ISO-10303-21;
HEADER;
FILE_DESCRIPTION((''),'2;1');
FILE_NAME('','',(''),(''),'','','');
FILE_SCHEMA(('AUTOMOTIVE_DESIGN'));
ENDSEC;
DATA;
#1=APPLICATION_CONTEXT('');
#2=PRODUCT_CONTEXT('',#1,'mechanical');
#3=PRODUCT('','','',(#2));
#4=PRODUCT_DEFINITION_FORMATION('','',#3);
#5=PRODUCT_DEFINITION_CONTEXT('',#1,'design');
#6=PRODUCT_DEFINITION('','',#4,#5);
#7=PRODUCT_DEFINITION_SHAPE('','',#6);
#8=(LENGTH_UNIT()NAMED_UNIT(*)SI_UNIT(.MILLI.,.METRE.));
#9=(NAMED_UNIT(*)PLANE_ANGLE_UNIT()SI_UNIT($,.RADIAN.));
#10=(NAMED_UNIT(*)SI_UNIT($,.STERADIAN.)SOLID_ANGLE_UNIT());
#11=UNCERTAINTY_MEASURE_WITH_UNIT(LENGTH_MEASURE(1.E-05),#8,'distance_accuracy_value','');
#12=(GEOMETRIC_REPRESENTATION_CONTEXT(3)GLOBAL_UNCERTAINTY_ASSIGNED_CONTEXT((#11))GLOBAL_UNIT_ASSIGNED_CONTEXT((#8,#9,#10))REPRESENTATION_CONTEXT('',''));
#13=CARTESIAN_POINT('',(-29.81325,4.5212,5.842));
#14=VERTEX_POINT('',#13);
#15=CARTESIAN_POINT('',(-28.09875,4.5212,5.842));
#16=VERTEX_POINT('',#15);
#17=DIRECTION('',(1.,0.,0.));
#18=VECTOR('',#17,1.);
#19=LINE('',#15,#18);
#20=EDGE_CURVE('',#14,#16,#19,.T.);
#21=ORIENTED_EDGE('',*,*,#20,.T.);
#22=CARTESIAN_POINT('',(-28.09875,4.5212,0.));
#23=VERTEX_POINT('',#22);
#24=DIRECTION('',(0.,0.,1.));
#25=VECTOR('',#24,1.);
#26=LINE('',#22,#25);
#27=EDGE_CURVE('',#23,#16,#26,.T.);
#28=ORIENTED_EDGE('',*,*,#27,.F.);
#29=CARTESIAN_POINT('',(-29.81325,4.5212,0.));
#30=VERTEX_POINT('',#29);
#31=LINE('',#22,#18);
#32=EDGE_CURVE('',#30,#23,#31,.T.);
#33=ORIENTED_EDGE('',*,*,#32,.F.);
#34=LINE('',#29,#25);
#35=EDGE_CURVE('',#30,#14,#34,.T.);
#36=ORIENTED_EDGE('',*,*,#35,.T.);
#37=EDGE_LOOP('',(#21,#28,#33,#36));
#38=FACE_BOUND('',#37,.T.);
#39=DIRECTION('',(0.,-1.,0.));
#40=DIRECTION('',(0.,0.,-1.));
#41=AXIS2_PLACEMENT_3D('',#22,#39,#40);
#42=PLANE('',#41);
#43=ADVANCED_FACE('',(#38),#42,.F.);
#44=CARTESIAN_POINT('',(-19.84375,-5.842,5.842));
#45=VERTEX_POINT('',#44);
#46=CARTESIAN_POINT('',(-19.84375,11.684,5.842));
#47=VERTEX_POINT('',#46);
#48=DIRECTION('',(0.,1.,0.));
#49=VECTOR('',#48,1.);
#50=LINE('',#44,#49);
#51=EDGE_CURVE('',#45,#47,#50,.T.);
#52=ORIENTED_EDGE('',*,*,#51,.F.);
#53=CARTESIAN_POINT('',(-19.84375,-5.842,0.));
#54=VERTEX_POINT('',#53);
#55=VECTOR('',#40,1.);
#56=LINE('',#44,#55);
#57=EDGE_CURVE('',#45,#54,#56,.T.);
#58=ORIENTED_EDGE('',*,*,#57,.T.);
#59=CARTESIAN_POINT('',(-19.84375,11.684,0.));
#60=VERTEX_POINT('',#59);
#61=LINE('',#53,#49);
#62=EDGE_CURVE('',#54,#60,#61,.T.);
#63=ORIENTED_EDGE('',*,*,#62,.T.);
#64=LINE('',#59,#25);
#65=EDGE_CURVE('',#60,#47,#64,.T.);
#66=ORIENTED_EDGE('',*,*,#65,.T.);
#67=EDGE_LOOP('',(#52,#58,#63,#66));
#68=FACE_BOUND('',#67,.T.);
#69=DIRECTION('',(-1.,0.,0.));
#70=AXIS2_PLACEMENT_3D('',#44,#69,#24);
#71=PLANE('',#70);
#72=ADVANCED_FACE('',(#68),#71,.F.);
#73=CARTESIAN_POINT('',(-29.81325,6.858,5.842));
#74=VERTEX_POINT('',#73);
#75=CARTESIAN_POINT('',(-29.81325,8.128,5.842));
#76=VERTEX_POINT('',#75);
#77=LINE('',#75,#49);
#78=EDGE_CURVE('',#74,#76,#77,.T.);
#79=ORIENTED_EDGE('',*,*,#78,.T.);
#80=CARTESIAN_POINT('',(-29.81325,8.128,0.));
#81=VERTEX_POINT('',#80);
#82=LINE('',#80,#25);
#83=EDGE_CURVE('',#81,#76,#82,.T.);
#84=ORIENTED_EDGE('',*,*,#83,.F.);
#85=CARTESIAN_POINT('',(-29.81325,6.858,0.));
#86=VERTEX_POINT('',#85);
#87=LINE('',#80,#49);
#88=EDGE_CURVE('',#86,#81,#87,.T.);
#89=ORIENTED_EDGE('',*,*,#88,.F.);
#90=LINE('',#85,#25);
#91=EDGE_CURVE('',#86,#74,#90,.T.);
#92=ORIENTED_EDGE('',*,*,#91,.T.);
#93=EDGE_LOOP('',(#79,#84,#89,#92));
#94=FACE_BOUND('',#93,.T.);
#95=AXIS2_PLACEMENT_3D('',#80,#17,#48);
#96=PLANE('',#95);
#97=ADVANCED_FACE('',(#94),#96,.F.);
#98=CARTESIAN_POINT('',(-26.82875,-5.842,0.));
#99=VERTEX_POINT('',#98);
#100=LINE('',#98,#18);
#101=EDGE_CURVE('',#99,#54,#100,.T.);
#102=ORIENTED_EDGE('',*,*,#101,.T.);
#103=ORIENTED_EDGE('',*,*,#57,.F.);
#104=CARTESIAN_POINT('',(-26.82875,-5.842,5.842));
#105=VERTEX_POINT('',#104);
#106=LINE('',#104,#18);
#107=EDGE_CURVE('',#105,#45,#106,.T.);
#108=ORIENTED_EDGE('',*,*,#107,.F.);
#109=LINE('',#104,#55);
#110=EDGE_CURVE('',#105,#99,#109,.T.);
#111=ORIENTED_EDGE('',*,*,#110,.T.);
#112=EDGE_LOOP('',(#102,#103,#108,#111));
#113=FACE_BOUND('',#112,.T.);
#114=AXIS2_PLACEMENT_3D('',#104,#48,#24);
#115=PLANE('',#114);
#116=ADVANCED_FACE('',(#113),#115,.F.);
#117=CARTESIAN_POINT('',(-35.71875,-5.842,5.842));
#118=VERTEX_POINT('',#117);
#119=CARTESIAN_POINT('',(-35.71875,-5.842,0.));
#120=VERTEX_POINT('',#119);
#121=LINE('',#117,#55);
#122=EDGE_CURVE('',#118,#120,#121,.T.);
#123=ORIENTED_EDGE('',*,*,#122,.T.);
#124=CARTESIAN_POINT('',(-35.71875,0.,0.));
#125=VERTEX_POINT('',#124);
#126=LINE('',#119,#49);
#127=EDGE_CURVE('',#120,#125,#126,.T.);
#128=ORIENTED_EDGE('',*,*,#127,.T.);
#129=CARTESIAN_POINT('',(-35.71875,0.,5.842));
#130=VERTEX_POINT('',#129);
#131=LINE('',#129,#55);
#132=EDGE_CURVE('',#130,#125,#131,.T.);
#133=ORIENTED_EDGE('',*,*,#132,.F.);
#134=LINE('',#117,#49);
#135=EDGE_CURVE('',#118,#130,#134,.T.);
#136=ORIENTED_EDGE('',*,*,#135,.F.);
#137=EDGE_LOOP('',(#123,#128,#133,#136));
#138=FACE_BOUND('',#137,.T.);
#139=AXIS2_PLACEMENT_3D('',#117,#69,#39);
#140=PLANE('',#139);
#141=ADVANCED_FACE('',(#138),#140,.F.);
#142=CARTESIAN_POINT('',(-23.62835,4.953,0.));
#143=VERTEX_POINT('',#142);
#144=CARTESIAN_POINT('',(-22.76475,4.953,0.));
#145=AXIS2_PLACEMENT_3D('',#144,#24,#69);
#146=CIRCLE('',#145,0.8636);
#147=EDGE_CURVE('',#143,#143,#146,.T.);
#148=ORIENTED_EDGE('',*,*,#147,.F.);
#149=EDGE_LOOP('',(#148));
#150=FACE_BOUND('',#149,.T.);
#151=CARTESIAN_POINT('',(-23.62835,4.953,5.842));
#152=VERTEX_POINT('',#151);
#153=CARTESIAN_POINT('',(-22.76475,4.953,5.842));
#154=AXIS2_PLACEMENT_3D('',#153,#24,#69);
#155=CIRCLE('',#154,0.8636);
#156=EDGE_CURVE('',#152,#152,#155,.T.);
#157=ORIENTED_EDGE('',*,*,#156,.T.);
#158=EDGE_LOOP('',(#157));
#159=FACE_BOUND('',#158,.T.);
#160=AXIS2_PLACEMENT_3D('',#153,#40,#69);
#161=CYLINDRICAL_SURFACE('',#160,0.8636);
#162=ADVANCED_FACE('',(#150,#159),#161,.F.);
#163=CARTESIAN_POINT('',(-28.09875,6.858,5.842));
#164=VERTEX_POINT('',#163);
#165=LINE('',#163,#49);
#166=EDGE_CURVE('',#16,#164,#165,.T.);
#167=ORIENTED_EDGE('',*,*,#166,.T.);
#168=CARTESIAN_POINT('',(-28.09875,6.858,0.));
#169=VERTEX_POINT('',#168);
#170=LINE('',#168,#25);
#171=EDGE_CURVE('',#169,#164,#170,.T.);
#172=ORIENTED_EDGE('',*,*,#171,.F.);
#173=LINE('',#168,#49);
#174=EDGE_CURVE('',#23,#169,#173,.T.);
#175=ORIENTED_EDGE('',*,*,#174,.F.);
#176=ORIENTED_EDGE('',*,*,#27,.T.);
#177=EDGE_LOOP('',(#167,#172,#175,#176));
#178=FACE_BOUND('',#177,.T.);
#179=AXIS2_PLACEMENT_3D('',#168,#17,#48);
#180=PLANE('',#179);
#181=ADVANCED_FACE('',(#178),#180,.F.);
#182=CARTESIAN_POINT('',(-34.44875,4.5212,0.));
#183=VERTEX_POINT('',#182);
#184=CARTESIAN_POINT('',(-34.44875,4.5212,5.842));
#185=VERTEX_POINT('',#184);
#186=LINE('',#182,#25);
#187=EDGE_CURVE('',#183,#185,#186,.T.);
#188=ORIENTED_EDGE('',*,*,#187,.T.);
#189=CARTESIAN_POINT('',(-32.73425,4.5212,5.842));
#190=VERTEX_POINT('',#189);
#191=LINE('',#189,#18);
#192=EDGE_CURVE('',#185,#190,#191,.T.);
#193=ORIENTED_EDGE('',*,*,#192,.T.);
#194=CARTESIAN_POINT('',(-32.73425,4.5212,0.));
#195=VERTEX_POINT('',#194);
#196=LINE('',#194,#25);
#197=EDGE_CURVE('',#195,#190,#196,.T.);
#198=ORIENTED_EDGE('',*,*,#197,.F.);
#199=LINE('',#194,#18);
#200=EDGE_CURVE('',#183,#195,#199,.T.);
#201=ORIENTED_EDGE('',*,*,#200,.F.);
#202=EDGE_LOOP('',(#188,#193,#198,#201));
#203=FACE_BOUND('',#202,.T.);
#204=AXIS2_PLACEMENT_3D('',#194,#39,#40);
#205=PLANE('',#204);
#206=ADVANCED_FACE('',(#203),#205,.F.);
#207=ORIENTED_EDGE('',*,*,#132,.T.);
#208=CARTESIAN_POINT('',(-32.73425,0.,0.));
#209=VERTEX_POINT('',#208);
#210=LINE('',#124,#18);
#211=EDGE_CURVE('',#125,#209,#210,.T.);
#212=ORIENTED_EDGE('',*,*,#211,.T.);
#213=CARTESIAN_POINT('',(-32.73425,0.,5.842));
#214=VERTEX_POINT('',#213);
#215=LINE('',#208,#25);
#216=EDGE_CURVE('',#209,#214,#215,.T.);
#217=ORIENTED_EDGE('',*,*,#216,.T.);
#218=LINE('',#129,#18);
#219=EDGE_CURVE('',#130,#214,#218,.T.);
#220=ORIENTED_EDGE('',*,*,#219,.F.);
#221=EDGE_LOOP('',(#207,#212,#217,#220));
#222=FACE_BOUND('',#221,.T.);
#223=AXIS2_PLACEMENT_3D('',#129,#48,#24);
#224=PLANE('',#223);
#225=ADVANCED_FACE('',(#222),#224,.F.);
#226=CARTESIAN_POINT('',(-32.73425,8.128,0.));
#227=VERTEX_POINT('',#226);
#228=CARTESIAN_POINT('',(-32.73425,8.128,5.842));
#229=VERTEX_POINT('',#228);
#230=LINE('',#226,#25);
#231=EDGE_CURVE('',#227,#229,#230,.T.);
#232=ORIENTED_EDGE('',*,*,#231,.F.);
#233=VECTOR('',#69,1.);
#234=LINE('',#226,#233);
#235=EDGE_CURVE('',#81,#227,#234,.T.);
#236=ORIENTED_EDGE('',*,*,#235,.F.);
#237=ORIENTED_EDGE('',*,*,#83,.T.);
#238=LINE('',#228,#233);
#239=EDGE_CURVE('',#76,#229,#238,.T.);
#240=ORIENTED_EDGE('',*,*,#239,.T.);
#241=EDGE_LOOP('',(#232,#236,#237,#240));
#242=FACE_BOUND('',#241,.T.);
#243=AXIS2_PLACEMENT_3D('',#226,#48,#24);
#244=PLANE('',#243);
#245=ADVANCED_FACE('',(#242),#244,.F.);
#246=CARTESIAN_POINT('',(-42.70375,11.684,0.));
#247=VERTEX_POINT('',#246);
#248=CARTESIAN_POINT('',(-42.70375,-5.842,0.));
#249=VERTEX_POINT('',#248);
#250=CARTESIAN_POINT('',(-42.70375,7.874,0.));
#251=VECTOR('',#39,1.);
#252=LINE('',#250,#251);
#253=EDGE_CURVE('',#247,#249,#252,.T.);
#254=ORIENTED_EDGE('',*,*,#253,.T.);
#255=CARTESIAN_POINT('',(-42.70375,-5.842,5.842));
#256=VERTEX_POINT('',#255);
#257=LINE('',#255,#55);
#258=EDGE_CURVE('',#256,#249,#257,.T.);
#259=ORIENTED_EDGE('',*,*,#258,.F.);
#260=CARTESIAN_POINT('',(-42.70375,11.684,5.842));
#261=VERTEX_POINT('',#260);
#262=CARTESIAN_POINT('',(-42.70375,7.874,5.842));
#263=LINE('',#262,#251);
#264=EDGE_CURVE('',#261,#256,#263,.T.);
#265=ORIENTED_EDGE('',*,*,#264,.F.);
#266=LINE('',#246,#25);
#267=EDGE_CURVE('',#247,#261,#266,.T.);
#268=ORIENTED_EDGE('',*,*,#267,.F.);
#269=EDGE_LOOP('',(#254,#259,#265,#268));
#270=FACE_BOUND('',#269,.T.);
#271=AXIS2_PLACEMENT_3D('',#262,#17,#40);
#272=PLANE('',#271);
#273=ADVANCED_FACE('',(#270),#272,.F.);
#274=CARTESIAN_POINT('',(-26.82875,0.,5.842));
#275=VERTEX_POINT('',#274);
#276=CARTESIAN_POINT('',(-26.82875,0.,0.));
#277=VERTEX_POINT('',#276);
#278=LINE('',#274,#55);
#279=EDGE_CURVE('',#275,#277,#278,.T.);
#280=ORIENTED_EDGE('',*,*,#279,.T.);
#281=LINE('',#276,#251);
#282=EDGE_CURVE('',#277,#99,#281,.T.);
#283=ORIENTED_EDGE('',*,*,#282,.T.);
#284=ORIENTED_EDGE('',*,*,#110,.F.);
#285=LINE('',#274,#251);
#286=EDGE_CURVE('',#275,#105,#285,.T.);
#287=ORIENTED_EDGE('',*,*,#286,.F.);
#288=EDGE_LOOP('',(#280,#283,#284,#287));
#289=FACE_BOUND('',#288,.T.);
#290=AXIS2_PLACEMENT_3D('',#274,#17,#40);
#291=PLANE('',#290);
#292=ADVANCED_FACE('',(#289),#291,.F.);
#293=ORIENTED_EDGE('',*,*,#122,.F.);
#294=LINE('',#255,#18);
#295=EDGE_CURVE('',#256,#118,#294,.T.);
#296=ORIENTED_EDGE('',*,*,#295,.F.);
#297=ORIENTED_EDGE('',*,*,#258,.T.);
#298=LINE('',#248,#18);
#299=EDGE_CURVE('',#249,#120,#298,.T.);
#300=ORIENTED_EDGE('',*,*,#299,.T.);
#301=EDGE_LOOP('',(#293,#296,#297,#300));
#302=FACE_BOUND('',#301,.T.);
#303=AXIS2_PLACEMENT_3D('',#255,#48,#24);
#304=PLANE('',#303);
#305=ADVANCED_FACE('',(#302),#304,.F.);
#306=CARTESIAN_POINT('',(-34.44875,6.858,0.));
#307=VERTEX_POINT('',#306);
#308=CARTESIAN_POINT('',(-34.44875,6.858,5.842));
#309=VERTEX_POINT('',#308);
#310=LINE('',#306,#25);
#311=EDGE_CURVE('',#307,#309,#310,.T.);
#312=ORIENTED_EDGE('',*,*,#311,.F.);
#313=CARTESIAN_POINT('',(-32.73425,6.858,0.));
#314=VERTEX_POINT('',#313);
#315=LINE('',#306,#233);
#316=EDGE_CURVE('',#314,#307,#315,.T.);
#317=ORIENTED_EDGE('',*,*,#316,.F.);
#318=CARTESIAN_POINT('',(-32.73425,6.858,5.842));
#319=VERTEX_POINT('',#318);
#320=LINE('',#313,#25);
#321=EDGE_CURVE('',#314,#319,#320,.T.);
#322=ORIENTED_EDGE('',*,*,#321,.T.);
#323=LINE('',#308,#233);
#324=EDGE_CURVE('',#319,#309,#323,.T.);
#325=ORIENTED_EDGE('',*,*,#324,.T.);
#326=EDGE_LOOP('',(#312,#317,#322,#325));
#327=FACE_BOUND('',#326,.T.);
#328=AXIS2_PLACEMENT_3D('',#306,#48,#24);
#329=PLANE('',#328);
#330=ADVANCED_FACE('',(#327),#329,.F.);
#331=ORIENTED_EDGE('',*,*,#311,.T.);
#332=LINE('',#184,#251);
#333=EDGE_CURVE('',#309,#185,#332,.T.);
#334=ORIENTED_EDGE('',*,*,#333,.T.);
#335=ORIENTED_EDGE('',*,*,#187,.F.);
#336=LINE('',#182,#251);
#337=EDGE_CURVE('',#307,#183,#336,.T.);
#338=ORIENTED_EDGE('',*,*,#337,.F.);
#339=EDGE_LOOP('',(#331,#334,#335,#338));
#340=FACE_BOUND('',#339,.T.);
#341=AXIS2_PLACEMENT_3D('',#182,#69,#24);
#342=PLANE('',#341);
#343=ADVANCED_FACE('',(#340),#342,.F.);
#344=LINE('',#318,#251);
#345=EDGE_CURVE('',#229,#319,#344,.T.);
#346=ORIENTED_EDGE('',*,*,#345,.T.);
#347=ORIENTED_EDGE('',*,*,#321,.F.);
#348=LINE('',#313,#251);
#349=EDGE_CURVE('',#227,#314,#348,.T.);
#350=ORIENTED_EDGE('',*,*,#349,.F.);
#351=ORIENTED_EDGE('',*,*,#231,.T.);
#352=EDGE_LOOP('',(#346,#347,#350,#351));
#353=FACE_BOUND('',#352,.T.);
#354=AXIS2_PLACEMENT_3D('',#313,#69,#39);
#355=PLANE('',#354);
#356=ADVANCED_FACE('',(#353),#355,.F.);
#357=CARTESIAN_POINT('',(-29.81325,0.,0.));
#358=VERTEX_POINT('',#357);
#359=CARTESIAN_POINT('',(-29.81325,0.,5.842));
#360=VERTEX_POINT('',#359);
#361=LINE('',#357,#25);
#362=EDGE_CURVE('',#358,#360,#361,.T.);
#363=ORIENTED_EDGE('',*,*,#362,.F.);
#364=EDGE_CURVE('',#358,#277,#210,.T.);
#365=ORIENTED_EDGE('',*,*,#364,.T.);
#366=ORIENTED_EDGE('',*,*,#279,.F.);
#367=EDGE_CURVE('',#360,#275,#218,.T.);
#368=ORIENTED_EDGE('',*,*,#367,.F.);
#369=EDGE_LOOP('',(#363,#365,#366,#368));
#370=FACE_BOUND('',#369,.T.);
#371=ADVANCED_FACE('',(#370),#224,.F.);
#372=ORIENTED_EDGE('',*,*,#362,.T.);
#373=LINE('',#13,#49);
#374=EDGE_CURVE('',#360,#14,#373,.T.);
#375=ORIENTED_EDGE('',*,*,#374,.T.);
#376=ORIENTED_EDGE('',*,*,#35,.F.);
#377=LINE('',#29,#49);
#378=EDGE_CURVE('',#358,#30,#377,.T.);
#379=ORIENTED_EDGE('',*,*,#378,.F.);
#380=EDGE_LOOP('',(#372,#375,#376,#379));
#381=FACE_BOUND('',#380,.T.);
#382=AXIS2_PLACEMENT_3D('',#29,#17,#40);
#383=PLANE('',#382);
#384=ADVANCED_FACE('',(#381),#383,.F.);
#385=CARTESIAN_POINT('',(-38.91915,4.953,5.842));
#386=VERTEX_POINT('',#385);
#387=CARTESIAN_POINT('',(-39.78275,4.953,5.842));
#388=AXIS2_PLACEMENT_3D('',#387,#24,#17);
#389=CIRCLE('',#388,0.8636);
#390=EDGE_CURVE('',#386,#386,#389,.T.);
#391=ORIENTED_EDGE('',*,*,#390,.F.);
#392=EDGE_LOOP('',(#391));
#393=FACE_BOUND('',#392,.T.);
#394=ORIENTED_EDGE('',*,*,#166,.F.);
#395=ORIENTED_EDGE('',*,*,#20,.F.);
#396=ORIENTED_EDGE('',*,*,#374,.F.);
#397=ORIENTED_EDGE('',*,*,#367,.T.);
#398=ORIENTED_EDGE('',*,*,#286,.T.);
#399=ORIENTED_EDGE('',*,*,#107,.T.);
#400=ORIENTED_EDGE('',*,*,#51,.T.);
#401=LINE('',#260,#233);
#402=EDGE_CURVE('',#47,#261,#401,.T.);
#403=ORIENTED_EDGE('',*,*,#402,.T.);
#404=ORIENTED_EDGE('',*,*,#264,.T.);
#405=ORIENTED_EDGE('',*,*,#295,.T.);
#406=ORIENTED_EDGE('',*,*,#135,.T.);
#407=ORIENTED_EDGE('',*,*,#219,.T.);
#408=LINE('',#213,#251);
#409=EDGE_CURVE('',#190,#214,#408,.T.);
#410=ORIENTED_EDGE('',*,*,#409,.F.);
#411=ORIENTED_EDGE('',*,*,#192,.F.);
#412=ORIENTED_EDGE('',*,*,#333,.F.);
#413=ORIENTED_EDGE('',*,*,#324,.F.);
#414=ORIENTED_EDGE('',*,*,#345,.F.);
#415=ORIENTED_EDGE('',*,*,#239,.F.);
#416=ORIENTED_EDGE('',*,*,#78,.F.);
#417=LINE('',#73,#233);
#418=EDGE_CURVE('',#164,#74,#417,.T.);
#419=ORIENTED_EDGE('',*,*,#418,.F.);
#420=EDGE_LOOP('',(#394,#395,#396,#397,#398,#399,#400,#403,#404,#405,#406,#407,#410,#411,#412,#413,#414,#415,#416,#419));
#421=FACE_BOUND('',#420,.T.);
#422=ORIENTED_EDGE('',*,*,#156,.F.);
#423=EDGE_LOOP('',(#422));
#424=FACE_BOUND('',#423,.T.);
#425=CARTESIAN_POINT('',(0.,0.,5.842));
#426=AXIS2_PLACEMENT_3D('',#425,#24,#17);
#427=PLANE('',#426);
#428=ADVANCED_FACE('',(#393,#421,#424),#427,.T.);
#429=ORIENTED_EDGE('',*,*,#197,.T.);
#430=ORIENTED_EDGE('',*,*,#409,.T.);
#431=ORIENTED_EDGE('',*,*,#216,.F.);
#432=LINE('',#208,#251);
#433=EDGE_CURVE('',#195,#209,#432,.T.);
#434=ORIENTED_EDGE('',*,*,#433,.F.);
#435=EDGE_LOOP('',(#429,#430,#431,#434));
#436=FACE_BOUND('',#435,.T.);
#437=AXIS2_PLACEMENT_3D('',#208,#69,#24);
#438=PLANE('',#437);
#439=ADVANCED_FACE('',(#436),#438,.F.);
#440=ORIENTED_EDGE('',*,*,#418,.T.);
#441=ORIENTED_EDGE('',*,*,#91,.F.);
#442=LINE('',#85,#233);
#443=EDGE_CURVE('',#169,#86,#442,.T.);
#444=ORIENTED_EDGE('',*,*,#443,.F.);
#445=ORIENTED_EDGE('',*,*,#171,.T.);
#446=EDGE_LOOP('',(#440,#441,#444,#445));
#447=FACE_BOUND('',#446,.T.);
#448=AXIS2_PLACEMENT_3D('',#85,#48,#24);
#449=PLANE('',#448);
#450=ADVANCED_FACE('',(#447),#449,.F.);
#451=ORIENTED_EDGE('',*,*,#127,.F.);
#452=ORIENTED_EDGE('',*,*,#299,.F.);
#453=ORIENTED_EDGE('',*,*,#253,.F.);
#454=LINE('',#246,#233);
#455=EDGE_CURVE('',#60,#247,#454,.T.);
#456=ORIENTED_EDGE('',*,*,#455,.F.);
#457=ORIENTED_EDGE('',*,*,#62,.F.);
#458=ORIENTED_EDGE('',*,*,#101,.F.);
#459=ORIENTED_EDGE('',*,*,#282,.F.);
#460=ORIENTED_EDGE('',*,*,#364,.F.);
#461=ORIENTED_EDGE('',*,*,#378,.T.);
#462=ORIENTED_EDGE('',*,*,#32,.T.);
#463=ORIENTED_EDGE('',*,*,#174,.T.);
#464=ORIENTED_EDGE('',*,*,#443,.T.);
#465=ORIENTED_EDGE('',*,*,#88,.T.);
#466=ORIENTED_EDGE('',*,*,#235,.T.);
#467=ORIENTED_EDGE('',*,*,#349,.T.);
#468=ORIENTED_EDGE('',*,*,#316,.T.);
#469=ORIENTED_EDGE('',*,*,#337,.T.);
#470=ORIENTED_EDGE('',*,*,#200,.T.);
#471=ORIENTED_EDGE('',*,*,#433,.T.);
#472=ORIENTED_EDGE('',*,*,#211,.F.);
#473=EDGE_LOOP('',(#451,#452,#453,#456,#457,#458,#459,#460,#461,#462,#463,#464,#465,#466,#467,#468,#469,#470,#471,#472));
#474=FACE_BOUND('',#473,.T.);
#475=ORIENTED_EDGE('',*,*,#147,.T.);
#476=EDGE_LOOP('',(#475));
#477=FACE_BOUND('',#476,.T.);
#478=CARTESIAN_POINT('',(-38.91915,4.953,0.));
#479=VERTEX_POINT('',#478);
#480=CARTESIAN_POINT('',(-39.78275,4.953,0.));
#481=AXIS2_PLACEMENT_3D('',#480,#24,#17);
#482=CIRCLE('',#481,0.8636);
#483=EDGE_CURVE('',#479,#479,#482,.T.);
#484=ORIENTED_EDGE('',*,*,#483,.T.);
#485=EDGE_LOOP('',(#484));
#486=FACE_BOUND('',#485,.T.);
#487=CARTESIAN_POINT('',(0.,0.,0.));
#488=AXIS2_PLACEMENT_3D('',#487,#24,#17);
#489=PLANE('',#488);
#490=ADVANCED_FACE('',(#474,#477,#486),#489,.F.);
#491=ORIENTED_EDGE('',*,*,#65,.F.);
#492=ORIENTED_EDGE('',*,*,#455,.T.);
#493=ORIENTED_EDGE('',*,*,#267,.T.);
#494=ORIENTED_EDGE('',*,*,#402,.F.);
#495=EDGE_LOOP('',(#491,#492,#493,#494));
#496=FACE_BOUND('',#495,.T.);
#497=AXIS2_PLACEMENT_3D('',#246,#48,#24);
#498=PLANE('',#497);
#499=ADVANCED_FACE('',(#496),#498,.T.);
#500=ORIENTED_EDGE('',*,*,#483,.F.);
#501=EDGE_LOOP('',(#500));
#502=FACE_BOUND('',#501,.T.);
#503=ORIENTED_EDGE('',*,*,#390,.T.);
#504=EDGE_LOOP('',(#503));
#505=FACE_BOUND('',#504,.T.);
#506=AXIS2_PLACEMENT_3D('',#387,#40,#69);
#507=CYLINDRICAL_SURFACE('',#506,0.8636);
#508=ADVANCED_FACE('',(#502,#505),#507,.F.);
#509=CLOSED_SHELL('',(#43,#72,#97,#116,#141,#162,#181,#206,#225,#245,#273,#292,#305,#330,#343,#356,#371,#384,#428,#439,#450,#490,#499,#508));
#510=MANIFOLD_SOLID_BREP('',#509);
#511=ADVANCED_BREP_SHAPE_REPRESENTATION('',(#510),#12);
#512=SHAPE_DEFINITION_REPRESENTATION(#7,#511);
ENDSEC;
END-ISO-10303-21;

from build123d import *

# Parameters (mm, degrees)
SKETCH2_R           = 0.8636
BOSS_EXTRUDE1_DEPTH = 5.842
SKETCH4_W           = 22.86
SKETCH4_H           = 3.81
BOSS_EXTRUDE2_DEPTH = 5.842
CUT_EXTRUDE1_DEPTH  = 45.657083246


with BuildPart() as part:
    # Sketch2 → Boss-Extrude1 (new body)
    with BuildSketch(Plane.XY):
        Polygon((-42.70375, -5.842), (-35.71875, -5.842), (-35.71875, 0), (-26.82875, 0), (-26.82875, -5.842), (-19.84375, -5.842), (-19.84375, 7.874), (-42.70375, 7.874), align=None)
        with Locations((-39.78275, 4.953)):
            Circle(SKETCH2_R, mode=Mode.SUBTRACT)
        with Locations(Location((-22.76475, 4.953, 0), (0, 0, 180))):
            Circle(SKETCH2_R, mode=Mode.SUBTRACT)
    extrude(amount=BOSS_EXTRUDE1_DEPTH)

    # Sketch4 → Boss-Extrude2 (add)
    with BuildSketch(Plane.XY.offset(5.842)):
        with Locations((-31.27375, 9.779)):
            Rectangle(SKETCH4_W, SKETCH4_H)
    extrude(amount=-BOSS_EXTRUDE2_DEPTH)

    # Sketch3 → Cut-Extrude1 (cut, through all)
    with BuildSketch(Plane.XY.offset(5.842)):
        Polygon((-32.73425, 0), (-32.73425, 4.5212), (-34.44875, 4.5212), (-34.44875, 6.858), (-32.73425, 6.858), (-32.73425, 8.128), (-29.81325, 8.128), (-29.81325, 6.858), (-28.09875, 6.858), (-28.09875, 4.5212), (-29.81325, 4.5212), (-29.81325, 0), align=None)
    extrude(amount=-CUT_EXTRUDE1_DEPTH, mode=Mode.SUBTRACT)


solid = part.part
